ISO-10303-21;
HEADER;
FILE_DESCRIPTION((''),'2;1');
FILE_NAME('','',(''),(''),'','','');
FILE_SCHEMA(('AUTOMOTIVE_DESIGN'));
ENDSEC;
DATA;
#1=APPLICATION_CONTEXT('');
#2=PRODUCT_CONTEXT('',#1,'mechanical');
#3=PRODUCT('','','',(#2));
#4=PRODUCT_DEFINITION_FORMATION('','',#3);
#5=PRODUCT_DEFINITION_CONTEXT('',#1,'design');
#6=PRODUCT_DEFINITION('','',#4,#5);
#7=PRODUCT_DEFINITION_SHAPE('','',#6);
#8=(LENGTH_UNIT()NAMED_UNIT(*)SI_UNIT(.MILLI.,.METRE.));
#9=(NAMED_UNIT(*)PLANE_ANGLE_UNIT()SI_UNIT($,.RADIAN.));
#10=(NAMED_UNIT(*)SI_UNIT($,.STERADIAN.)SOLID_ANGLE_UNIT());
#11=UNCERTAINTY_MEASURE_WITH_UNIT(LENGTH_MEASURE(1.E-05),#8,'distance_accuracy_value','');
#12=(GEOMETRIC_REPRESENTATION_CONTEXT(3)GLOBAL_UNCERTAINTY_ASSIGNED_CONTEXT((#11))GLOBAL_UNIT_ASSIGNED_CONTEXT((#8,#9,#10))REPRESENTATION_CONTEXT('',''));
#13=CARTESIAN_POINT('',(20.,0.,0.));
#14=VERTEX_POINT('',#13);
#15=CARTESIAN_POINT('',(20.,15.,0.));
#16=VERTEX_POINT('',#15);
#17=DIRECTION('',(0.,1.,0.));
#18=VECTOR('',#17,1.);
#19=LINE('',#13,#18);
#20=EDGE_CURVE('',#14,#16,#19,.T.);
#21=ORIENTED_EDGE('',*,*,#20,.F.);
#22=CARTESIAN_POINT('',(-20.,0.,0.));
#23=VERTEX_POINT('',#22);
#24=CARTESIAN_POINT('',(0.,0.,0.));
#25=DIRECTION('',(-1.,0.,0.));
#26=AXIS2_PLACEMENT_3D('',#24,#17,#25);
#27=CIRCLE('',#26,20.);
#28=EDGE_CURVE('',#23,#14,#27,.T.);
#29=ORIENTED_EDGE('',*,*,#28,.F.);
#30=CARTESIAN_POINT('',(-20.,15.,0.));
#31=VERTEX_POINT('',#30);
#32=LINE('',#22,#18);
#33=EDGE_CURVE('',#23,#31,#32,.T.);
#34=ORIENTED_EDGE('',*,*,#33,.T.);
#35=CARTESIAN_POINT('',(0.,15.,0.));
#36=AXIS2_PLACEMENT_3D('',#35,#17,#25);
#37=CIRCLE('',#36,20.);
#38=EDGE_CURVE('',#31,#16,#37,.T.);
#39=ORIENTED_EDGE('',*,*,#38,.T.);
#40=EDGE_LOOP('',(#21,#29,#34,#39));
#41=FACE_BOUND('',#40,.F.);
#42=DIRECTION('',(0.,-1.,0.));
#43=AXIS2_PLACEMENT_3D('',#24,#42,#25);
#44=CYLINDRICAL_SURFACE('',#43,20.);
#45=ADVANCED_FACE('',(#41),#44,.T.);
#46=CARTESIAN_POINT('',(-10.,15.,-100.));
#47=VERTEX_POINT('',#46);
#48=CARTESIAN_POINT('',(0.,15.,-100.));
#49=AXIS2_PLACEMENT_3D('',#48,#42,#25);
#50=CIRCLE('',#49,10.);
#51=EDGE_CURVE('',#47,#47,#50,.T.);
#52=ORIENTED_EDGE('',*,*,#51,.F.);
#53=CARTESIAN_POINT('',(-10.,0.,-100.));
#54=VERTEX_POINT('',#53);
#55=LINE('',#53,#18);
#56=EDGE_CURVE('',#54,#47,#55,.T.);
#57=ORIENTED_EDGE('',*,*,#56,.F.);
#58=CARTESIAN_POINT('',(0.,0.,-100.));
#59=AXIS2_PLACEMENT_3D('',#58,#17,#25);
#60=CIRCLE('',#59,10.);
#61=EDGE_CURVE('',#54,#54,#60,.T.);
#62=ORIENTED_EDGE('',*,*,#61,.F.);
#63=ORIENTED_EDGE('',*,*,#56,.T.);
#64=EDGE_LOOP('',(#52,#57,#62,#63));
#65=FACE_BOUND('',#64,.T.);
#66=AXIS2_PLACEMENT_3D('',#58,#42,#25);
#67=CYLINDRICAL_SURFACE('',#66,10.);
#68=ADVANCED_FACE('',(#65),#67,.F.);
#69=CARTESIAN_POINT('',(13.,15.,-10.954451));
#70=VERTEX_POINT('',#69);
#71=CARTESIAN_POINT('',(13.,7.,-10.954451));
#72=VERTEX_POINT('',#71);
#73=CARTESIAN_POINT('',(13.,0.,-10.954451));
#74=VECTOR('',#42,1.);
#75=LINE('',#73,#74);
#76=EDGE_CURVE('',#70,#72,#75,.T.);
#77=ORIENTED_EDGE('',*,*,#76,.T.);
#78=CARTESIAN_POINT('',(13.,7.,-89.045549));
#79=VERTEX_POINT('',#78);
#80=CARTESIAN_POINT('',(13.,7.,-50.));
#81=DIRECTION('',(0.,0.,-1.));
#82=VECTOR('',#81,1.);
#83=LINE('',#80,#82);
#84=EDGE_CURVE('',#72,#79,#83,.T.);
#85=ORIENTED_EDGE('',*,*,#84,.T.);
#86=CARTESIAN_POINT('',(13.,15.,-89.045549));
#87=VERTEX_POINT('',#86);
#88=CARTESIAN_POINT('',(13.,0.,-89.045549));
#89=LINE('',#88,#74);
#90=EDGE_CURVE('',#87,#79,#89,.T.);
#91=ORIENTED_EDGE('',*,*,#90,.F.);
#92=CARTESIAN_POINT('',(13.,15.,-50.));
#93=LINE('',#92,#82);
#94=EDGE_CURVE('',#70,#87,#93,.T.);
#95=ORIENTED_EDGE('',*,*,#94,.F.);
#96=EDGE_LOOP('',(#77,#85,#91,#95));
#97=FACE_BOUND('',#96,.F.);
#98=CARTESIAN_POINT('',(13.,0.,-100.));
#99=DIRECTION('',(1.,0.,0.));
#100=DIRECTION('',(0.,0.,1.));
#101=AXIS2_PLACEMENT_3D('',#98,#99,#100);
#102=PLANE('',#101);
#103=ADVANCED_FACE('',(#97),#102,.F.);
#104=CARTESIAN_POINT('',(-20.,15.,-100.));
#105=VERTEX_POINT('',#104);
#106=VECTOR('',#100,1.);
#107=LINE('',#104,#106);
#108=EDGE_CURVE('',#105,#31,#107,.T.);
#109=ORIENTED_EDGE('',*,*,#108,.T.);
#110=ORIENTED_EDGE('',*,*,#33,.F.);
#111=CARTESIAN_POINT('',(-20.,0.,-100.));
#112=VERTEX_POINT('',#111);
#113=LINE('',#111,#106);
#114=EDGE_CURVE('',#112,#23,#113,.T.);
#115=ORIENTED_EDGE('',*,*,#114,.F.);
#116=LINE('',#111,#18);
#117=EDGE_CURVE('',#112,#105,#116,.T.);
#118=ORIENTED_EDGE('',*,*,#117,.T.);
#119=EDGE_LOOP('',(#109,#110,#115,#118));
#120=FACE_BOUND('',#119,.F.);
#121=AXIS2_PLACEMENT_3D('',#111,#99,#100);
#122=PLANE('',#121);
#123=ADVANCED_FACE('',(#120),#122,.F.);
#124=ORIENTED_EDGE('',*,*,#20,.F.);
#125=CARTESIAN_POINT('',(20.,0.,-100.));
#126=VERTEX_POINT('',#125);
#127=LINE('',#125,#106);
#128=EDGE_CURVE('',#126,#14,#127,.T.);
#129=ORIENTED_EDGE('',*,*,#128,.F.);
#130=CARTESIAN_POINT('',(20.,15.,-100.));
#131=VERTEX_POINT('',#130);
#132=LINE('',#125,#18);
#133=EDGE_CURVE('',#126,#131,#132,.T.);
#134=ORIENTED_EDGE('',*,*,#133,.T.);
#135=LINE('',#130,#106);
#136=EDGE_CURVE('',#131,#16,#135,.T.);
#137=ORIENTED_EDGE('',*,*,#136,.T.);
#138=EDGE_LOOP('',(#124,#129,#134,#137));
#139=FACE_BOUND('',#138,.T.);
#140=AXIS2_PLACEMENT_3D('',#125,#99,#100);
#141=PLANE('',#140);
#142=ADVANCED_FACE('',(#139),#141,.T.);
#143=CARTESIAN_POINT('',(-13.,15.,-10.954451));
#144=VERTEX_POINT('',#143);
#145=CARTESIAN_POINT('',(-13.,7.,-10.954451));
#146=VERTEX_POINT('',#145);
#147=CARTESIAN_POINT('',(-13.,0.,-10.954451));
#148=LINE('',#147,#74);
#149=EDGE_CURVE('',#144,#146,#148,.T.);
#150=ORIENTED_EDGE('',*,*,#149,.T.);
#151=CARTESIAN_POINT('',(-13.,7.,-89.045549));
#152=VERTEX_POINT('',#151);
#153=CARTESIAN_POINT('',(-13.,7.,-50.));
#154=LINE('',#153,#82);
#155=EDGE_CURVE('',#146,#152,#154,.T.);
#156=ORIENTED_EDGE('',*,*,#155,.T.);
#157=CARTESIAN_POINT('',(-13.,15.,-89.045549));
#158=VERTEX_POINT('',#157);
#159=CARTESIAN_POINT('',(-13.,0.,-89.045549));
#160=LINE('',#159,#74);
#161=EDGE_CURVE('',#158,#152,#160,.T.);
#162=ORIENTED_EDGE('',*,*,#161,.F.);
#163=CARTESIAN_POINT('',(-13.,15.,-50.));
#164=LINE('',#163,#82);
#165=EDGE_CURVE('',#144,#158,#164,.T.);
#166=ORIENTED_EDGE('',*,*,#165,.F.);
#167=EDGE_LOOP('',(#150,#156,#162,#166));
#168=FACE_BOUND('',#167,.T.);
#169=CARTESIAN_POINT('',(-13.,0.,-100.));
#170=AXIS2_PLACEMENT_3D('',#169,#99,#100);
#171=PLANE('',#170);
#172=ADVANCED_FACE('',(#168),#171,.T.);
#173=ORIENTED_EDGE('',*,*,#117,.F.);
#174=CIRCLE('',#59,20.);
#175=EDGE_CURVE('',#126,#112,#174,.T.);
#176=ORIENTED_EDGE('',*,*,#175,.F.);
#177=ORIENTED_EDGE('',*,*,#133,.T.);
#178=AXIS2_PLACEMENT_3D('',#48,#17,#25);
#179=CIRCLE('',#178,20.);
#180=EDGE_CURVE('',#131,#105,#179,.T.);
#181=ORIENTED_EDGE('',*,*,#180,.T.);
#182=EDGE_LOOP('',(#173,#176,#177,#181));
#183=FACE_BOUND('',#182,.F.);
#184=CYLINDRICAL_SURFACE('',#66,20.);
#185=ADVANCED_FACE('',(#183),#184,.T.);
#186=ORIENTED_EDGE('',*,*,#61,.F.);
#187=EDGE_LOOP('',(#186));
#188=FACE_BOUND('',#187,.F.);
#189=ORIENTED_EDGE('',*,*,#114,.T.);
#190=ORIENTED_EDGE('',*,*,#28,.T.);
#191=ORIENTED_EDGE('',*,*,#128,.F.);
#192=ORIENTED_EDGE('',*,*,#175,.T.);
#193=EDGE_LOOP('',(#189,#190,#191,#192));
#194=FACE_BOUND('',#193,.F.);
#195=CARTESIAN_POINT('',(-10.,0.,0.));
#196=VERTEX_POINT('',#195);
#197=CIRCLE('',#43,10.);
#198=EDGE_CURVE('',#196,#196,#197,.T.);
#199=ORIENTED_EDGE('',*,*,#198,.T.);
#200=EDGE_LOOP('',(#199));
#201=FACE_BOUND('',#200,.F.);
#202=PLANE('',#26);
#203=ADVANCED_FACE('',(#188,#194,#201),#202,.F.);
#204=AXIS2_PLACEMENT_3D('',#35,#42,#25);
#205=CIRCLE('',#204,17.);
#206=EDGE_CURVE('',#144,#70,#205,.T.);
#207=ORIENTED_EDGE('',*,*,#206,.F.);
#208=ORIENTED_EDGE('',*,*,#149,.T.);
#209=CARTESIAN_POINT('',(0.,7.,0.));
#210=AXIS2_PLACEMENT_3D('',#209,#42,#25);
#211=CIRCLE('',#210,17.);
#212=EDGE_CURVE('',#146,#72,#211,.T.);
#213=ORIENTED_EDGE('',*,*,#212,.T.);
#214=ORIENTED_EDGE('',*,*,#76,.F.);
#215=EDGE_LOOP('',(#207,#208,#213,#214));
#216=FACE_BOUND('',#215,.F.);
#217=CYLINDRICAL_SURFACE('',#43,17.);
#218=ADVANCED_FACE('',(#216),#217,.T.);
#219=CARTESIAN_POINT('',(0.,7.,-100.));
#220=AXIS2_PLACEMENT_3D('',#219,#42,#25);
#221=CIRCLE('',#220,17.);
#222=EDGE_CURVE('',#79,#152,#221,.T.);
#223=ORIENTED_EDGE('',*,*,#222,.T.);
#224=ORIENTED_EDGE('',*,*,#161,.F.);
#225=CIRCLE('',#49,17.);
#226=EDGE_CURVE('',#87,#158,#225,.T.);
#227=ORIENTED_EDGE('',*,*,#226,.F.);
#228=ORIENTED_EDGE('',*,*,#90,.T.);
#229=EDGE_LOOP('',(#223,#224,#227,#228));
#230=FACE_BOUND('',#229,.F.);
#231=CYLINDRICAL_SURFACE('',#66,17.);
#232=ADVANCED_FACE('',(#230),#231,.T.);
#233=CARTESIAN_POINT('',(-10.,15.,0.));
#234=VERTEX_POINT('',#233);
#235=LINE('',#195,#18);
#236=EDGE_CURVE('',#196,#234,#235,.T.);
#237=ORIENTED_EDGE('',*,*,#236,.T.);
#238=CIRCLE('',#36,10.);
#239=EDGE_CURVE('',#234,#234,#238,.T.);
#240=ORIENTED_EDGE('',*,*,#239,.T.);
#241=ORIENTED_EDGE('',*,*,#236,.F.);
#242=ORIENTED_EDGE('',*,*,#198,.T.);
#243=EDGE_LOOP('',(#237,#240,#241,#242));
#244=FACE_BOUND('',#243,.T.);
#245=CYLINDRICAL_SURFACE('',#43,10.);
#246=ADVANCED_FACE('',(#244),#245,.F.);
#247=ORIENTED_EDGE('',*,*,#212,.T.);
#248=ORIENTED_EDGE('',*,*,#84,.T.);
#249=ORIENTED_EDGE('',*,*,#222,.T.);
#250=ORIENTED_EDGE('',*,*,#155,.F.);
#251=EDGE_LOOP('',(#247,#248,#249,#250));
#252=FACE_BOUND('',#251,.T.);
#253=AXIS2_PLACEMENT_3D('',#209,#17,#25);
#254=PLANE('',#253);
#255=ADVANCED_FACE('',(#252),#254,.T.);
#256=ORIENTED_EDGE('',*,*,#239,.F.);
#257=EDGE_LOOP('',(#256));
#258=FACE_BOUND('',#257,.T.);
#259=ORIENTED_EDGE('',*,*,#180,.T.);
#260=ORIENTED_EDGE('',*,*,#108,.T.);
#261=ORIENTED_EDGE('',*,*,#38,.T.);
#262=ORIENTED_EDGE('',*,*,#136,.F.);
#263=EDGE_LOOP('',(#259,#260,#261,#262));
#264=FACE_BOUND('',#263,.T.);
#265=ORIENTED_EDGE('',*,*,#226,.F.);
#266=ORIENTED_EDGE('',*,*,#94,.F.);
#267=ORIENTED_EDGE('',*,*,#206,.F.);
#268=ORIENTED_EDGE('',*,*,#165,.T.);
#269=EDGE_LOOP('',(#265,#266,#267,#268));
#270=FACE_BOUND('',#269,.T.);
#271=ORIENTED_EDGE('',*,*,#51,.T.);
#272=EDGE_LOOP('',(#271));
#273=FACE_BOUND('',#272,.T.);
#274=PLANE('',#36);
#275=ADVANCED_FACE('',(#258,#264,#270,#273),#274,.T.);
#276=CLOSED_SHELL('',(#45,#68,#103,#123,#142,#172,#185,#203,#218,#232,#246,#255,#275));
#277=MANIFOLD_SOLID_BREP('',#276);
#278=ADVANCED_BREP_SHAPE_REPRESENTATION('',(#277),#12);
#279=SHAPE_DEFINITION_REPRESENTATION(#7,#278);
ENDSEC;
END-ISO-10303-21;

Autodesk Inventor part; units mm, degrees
ref_plane "YZ Plane" through (0, 0, 0) normal (1, 0, 0) x (0, 1, 0)
ref_plane "XZ Plane" through (0, 0, 0) normal (0, 1, 0) x (-1, 0, 0)
ref_plane "XY Plane" through (0, 0, 0) normal (0, 0, 1) x (1, 0, 0)
sketch "Sketch1" plane through (0, 0, 0) normal (0, 1, 0) x (-1, 0, 0)
  circle A0 centre (0, 0) radius 10
  circle A1 centre (0, 0) radius 20
  line L0 (0, 0) -> (0, -100)
  circle A2 centre (0, -100) radius 10
  circle A3 centre (0, -100) radius 20
  line L1 (0, -100) -> (20, -100)
  line L2 (20, -100) -> (20, 0)
  line L3 (20, 0) -> (0, 0)
  line L4 (0, 0) -> (0, -100)
  line L5 (0, -100) -> (-20, -100)
  line L6 (-20, -100) -> (-20, 0)
  line L7 (-20, 0) -> (0, 0)
  line L8 (0, 0) -> (0, -100)
  point P0 (20, -100)
  dimension "d0" = 20
  dimension "d4" = 40
  dimension "d23" = 20
  dimension "d24" = 40
extrude "Extrusion1" add sketch "Sketch1" along normal blind 15 contours L3 A1 L0 A0 | A0 L7 A1 L3 | A0 L0 A1 L7 | L2 A3 L0 A1 | A1 L0 A3 L6 | L1 A2 L0 A3 | A3 L5 A2 L1 | A3 L0 A2 L5
shell "Shell2" thickness 7 removed faces 1 at (-15.2269, 15, -36.0766)
properties part number "ramię_korby" material "Aluminum 6061"
